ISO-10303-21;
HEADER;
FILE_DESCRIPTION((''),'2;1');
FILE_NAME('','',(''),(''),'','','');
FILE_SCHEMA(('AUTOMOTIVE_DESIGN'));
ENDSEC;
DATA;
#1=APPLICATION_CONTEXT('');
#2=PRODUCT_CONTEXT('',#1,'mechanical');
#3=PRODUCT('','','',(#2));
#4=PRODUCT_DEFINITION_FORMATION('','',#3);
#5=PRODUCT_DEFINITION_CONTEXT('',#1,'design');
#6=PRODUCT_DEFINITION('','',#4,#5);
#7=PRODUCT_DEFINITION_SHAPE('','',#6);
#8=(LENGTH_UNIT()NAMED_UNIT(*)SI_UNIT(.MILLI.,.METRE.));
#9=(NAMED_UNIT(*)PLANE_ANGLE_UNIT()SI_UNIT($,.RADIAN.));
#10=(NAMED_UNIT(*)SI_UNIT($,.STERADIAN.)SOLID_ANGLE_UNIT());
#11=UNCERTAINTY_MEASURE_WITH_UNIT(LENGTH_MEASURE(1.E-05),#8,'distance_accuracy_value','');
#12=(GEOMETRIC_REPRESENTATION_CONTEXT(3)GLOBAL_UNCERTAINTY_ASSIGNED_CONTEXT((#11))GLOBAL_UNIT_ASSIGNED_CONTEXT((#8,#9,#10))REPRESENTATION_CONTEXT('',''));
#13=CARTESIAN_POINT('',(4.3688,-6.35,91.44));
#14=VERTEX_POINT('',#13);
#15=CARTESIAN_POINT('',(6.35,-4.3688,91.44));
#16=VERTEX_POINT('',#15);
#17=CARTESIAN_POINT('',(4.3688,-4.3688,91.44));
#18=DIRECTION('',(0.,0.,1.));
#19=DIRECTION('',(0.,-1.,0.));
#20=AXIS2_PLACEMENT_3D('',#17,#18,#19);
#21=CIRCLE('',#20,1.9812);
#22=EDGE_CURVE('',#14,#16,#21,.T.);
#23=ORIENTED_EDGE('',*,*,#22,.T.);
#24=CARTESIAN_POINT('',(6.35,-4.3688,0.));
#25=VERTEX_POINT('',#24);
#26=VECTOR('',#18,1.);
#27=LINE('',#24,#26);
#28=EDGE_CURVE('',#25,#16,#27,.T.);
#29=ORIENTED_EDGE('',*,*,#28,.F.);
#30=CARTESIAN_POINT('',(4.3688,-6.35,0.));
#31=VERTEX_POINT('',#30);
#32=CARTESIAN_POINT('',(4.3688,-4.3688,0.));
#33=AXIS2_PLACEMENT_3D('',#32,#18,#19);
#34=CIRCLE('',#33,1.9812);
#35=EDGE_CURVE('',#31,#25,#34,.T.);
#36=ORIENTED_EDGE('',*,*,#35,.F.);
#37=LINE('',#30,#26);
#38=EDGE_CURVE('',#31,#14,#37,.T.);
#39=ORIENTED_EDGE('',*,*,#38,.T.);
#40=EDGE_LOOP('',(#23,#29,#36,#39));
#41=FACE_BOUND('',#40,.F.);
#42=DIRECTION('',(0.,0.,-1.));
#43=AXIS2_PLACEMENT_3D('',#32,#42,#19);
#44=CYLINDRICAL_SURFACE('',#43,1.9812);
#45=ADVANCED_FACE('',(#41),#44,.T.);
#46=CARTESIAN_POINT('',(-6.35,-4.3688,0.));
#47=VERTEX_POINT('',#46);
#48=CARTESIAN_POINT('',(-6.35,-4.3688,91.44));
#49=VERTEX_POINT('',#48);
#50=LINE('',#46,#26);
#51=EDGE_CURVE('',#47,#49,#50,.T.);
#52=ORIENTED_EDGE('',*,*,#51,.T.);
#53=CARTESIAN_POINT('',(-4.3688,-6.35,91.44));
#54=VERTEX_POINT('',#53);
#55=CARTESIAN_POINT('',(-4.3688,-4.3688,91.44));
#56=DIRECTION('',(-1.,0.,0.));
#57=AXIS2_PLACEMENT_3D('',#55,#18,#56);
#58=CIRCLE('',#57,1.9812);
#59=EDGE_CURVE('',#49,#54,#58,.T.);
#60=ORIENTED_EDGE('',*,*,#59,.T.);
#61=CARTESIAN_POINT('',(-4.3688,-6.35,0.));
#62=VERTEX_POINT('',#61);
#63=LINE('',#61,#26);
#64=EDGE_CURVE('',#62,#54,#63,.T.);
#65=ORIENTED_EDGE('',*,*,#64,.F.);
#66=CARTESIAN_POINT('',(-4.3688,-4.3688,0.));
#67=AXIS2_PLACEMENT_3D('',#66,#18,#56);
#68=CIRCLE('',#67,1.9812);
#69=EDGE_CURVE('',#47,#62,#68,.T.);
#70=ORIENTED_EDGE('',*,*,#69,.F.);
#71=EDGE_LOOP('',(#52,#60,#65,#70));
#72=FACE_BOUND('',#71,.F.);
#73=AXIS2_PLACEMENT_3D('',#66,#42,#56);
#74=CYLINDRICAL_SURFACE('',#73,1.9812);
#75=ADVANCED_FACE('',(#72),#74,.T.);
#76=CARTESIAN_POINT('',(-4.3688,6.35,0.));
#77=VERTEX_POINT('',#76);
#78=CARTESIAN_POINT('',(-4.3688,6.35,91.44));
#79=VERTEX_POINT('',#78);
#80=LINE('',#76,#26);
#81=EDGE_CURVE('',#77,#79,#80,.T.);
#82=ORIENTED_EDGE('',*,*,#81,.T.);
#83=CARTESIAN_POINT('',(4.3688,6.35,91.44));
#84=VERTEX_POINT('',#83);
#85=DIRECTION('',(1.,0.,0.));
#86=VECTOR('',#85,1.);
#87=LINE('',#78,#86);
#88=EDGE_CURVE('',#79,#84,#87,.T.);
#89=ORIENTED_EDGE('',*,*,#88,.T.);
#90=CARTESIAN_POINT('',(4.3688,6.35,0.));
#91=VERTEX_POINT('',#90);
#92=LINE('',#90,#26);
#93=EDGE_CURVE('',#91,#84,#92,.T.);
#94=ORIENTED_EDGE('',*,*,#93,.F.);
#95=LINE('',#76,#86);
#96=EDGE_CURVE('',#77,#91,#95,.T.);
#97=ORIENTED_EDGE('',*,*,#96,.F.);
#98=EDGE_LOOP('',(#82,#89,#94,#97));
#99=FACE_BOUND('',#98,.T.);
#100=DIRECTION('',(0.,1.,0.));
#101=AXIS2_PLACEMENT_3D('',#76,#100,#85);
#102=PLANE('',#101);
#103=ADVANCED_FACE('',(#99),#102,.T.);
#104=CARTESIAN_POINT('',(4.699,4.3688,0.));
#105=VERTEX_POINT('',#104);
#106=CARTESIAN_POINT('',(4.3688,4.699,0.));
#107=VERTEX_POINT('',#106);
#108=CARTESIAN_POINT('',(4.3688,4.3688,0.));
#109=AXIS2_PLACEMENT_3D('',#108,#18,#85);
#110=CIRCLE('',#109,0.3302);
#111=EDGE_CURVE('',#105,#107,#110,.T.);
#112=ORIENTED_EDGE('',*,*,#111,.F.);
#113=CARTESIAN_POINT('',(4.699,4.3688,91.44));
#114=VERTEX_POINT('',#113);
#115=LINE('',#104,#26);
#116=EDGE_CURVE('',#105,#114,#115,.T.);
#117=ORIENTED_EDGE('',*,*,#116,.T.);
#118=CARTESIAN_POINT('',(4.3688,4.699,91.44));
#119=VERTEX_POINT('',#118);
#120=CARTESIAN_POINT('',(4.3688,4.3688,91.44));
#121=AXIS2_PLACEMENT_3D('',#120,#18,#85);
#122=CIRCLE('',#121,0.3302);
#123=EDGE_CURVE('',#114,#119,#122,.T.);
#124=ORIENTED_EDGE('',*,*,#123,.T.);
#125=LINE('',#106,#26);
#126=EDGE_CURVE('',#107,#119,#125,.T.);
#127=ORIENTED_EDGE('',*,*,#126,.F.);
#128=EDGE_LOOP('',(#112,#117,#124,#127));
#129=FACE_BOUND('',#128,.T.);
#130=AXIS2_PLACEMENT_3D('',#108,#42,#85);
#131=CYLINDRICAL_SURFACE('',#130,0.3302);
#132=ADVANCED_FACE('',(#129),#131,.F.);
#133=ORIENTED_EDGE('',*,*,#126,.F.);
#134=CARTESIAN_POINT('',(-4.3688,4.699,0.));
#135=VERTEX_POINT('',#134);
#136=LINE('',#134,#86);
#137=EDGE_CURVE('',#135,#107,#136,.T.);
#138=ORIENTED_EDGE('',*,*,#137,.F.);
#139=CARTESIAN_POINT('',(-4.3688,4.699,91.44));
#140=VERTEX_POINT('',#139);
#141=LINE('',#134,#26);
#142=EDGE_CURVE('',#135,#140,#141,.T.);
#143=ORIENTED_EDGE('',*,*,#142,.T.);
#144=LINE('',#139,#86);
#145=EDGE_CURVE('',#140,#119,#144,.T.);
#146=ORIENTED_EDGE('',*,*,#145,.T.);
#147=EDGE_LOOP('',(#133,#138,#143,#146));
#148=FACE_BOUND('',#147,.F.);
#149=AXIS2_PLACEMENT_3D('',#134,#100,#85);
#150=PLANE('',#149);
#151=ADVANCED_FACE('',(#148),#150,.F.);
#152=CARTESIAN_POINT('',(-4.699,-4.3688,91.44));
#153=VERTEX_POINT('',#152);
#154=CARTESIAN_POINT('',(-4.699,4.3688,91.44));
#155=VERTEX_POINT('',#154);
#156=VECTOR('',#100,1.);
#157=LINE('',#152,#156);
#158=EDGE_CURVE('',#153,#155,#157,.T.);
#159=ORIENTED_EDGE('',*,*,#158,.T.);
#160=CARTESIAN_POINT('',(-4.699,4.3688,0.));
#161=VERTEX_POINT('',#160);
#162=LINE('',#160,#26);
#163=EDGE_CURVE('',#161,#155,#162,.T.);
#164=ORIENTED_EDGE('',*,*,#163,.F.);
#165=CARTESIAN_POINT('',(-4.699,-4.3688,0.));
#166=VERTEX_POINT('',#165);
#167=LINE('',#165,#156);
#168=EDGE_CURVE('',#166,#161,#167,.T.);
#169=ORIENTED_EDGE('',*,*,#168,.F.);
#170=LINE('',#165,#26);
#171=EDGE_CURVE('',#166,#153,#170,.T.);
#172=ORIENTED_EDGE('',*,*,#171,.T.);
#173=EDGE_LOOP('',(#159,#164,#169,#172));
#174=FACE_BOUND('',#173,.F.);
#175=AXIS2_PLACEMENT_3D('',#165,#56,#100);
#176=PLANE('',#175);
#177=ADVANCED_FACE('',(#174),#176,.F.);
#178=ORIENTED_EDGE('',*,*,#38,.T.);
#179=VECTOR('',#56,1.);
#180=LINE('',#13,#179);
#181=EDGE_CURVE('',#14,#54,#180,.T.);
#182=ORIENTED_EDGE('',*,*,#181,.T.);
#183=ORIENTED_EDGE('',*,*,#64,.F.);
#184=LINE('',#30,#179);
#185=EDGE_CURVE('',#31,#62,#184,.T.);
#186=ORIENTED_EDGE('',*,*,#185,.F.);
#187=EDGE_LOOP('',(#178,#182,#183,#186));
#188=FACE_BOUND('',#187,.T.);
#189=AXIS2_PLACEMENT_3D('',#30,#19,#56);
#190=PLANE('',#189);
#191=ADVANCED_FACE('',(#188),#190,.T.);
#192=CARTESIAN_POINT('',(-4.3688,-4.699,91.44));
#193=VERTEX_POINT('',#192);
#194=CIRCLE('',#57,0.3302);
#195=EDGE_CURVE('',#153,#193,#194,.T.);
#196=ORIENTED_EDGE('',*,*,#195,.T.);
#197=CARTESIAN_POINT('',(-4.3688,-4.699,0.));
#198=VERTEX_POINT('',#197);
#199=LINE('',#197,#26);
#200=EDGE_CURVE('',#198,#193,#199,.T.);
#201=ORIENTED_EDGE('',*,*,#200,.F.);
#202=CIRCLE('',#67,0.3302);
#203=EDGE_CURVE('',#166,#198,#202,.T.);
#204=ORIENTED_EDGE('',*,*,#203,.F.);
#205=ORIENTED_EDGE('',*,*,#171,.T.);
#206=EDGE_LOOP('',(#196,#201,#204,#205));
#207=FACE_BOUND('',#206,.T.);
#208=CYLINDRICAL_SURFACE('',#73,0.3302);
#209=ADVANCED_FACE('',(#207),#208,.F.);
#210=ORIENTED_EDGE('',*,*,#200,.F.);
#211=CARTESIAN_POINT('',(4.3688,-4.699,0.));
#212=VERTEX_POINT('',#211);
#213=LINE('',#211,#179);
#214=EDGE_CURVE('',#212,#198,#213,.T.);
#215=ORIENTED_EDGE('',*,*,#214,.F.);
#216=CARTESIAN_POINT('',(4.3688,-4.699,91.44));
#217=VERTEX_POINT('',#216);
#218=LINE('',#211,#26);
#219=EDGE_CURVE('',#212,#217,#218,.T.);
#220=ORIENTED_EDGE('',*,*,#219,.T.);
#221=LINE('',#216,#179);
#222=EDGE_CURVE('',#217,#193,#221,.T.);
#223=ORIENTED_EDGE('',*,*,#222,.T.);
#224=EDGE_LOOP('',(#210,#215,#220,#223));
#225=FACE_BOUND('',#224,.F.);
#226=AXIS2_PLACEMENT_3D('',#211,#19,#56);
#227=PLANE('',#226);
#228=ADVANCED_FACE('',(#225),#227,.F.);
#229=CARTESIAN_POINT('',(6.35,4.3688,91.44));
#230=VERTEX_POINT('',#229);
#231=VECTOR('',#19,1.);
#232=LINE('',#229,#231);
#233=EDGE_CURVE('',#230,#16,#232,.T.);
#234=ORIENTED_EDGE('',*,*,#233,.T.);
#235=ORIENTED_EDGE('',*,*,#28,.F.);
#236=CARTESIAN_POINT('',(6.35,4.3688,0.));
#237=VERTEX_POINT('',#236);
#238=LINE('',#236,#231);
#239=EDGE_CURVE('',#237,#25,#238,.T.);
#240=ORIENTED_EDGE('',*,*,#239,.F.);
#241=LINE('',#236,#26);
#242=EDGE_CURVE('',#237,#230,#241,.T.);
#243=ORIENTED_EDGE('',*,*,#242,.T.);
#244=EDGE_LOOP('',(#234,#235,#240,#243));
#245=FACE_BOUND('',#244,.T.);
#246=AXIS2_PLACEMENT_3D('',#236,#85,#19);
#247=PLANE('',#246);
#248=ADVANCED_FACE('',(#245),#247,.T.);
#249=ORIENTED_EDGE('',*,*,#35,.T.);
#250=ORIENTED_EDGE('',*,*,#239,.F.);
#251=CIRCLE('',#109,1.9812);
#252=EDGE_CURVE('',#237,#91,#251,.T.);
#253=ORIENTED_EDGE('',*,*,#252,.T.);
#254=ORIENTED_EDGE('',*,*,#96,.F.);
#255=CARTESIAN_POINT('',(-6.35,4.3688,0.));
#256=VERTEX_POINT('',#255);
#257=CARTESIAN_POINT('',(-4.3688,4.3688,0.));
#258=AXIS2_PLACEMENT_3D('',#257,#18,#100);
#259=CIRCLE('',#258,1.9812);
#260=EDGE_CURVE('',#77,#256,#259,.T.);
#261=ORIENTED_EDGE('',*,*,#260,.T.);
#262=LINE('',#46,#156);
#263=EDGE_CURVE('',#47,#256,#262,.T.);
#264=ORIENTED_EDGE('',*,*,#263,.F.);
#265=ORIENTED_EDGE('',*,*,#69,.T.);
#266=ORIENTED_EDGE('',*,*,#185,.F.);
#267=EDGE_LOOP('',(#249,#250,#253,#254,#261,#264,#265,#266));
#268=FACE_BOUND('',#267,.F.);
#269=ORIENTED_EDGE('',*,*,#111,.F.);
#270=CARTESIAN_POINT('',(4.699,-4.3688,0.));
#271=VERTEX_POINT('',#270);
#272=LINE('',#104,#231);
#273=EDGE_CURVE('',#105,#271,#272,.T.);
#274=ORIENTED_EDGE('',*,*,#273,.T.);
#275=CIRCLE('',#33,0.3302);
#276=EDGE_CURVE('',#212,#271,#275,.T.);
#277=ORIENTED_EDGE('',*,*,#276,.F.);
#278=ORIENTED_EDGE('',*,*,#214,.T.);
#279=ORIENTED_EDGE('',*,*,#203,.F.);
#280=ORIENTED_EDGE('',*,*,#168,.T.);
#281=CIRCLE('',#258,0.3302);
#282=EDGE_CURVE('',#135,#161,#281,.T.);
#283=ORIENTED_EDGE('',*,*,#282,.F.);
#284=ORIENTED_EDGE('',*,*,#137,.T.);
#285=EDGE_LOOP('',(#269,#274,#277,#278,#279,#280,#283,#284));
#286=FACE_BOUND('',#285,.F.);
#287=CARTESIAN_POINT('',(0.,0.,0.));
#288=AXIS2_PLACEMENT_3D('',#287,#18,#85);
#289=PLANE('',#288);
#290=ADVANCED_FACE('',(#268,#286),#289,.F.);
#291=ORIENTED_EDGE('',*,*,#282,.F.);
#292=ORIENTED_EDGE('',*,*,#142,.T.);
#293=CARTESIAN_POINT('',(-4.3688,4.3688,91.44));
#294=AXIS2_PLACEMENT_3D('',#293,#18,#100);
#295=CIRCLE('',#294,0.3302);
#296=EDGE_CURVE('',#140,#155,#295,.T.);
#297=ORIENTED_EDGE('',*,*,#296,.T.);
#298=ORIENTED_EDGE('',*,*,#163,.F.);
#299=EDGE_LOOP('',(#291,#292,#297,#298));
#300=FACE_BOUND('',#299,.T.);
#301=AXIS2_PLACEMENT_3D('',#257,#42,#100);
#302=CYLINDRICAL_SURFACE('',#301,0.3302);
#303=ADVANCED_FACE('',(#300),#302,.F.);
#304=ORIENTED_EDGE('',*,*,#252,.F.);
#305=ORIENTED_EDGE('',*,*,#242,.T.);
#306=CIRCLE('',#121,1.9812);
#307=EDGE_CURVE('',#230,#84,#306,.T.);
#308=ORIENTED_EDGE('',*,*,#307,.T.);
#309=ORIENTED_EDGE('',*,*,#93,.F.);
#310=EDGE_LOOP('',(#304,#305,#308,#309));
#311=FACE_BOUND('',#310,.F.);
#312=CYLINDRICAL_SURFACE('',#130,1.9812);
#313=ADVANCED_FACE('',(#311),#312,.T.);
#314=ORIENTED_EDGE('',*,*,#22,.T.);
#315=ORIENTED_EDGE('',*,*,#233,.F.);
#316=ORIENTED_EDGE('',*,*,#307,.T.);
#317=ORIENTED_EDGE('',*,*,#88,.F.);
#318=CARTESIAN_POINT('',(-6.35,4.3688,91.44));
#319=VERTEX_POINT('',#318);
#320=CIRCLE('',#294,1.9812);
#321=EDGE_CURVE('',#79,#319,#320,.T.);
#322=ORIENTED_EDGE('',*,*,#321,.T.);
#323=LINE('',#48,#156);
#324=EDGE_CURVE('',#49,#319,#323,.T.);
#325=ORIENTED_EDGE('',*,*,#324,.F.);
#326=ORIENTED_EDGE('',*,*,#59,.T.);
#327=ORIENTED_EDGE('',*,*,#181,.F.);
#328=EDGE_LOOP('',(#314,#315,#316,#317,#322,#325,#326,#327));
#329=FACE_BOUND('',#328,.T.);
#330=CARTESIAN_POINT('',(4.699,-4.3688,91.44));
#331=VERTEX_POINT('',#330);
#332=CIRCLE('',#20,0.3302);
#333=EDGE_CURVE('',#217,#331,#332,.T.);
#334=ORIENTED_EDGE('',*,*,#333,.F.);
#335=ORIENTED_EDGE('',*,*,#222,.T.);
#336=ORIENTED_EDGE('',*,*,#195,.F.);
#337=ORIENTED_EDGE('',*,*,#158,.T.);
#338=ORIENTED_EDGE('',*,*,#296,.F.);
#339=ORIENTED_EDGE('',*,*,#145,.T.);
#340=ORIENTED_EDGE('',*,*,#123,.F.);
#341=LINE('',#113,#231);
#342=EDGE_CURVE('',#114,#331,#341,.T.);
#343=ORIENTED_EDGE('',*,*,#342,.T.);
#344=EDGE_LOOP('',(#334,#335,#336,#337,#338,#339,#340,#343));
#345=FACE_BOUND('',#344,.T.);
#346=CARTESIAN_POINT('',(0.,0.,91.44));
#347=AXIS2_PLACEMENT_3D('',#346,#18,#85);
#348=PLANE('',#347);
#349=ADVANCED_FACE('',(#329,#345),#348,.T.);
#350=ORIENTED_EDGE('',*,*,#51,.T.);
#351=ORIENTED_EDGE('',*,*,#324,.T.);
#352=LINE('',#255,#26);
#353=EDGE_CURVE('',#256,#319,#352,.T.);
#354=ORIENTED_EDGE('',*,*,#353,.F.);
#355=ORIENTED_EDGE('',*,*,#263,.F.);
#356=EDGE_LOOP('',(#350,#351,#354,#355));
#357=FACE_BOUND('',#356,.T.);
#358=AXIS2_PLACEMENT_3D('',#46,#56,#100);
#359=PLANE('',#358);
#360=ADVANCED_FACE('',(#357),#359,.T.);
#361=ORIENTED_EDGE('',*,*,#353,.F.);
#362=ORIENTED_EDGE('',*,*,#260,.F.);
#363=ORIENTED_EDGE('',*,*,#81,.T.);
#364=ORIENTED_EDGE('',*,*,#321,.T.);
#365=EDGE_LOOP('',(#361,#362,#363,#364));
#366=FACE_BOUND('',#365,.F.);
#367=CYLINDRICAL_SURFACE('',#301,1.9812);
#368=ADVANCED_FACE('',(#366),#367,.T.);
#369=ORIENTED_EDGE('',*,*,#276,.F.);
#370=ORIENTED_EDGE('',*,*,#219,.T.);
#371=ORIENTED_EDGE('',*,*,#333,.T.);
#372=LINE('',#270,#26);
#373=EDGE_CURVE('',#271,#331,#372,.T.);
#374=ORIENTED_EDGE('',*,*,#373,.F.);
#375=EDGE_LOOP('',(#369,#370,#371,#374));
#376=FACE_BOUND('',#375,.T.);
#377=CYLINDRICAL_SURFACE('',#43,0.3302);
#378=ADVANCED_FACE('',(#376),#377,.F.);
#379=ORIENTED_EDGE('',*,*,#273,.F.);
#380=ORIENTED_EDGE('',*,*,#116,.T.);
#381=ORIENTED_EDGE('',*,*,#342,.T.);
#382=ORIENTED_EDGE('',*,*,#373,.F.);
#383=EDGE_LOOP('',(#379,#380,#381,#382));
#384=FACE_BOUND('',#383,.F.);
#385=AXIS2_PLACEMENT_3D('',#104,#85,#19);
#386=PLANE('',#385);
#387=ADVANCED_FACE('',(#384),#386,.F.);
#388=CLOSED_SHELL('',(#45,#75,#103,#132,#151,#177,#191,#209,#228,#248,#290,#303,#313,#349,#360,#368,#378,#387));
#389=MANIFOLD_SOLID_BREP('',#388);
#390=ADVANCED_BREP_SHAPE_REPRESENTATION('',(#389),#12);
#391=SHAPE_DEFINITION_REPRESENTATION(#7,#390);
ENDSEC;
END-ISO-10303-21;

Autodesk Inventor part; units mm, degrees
ref_plane "YZ Plane" through (0, 0, 0) normal (1, 0, 0) x (0, 1, 0)
ref_plane "Start plane" through (0, 0, 0) normal (0, 0, 1) x (1, 0, 0)
ref_plane "End plane" through (0, 0, 91.44) normal (0, 0, 1) x (1, 0, 0)
sketch "Sketch" plane through (0, 0, 0) normal (0, 0, 1) x (1, 0, 0)
  line L0 (-6.35, -4.3688) -> (-6.35, 4.3688)
  line L1 (-4.3688, 6.35) -> (4.3688, 6.35)
  line L2 (6.35, 4.3688) -> (6.35, -4.3688)
  line L3 (4.3688, -6.35) -> (-4.3688, -6.35)
  arc A0 (-6.35, -4.3688) -> (-4.3688, -6.35) centre (-4.3688, -4.3688) ccw
  arc A1 (-4.3688, 6.35) -> (-6.35, 4.3688) centre (-4.3688, 4.3688) ccw
  arc A2 (6.35, 4.3688) -> (4.3688, 6.35) centre (4.3688, 4.3688) ccw
  arc A3 (4.3688, -6.35) -> (6.35, -4.3688) centre (4.3688, -4.3688) ccw
  arc A4 (-4.3688, 4.699) -> (-4.699, 4.3688) centre (-4.3688, 4.3688) ccw
  line L4 (-4.3688, 4.699) -> (4.3688, 4.699)
  arc A5 (4.699, 4.3688) -> (4.3688, 4.699) centre (4.3688, 4.3688) ccw
  line L5 (4.699, 4.3688) -> (4.699, -4.3688)
  arc A6 (4.3688, -4.699) -> (4.699, -4.3688) centre (4.3688, -4.3688) ccw
  line L6 (4.3688, -4.699) -> (-4.3688, -4.699)
  arc A7 (-4.699, -4.3688) -> (-4.3688, -4.699) centre (-4.3688, -4.3688) ccw
  line L7 (-4.699, -4.3688) -> (-4.699, 4.3688)
  line L8 (0, 9.4644) -> (0, -9.4644) construction
  line L9 (-10.1124, 0) -> (13.3521, 0) construction
  dimension "d10" = 12.7
  dimension "d11" = 12.7
  dimension "d12" = 1.651
  dimension "d15" = 6.35
  dimension "d16" = 6.35
  dimension "d17" = 1.9812
extrude "Body" add sketch "Sketch" along normal up to surface (91.44 mm away) from surface at 0
sketch "Sketch3" plane through (0, 0, 0) normal (0, 0, 1) x (1, 0, 0)
  line L0 (0, 0) -> (10, 0)
ref_plane "Work Plane3" through (0, 0, 0) normal (0, -1, 0) x (1, 0, 0)
sketch "Sketch4" plane through (0, 0, 0) normal (0, -1, 0) x (1, 0, 0)
  line L0 (-2, 0) -> (12, 0)
  line L1 (-2, 91.44) -> (12, 91.44)
  dimension "d19" = 91.44
equation "\"d10\" = G_H"
equation "\"d11\" = G_W"
equation "\"d12\" = G_T"
equation "\"d15\" = 0.5 * d10"
equation "\"d16\" = 0.5 * d11"
equation "\"d17\" = G_IR"
equation "\"d3\" = G_L"
equation "\"G_W\" = 12.7"
equation "\"G_H\" = 12.7"
equation "\"G_T\" = 1.651"
equation "\"G_IR\" = 1.2 * G_T"
equation "\"G_L\" = d19"
equation "\"G_OFFSET_START\" = 0"
equation "\"G_OFFSET_END\" = 0"
equation "\"d14\" = G_OFFSET_END + B_L"
equation "\"B_L\" = 91.44"
properties part number "ASTM A513 - 1/2 x 1/2 x 13/200 - 3.6" material "Steel, Mild"
